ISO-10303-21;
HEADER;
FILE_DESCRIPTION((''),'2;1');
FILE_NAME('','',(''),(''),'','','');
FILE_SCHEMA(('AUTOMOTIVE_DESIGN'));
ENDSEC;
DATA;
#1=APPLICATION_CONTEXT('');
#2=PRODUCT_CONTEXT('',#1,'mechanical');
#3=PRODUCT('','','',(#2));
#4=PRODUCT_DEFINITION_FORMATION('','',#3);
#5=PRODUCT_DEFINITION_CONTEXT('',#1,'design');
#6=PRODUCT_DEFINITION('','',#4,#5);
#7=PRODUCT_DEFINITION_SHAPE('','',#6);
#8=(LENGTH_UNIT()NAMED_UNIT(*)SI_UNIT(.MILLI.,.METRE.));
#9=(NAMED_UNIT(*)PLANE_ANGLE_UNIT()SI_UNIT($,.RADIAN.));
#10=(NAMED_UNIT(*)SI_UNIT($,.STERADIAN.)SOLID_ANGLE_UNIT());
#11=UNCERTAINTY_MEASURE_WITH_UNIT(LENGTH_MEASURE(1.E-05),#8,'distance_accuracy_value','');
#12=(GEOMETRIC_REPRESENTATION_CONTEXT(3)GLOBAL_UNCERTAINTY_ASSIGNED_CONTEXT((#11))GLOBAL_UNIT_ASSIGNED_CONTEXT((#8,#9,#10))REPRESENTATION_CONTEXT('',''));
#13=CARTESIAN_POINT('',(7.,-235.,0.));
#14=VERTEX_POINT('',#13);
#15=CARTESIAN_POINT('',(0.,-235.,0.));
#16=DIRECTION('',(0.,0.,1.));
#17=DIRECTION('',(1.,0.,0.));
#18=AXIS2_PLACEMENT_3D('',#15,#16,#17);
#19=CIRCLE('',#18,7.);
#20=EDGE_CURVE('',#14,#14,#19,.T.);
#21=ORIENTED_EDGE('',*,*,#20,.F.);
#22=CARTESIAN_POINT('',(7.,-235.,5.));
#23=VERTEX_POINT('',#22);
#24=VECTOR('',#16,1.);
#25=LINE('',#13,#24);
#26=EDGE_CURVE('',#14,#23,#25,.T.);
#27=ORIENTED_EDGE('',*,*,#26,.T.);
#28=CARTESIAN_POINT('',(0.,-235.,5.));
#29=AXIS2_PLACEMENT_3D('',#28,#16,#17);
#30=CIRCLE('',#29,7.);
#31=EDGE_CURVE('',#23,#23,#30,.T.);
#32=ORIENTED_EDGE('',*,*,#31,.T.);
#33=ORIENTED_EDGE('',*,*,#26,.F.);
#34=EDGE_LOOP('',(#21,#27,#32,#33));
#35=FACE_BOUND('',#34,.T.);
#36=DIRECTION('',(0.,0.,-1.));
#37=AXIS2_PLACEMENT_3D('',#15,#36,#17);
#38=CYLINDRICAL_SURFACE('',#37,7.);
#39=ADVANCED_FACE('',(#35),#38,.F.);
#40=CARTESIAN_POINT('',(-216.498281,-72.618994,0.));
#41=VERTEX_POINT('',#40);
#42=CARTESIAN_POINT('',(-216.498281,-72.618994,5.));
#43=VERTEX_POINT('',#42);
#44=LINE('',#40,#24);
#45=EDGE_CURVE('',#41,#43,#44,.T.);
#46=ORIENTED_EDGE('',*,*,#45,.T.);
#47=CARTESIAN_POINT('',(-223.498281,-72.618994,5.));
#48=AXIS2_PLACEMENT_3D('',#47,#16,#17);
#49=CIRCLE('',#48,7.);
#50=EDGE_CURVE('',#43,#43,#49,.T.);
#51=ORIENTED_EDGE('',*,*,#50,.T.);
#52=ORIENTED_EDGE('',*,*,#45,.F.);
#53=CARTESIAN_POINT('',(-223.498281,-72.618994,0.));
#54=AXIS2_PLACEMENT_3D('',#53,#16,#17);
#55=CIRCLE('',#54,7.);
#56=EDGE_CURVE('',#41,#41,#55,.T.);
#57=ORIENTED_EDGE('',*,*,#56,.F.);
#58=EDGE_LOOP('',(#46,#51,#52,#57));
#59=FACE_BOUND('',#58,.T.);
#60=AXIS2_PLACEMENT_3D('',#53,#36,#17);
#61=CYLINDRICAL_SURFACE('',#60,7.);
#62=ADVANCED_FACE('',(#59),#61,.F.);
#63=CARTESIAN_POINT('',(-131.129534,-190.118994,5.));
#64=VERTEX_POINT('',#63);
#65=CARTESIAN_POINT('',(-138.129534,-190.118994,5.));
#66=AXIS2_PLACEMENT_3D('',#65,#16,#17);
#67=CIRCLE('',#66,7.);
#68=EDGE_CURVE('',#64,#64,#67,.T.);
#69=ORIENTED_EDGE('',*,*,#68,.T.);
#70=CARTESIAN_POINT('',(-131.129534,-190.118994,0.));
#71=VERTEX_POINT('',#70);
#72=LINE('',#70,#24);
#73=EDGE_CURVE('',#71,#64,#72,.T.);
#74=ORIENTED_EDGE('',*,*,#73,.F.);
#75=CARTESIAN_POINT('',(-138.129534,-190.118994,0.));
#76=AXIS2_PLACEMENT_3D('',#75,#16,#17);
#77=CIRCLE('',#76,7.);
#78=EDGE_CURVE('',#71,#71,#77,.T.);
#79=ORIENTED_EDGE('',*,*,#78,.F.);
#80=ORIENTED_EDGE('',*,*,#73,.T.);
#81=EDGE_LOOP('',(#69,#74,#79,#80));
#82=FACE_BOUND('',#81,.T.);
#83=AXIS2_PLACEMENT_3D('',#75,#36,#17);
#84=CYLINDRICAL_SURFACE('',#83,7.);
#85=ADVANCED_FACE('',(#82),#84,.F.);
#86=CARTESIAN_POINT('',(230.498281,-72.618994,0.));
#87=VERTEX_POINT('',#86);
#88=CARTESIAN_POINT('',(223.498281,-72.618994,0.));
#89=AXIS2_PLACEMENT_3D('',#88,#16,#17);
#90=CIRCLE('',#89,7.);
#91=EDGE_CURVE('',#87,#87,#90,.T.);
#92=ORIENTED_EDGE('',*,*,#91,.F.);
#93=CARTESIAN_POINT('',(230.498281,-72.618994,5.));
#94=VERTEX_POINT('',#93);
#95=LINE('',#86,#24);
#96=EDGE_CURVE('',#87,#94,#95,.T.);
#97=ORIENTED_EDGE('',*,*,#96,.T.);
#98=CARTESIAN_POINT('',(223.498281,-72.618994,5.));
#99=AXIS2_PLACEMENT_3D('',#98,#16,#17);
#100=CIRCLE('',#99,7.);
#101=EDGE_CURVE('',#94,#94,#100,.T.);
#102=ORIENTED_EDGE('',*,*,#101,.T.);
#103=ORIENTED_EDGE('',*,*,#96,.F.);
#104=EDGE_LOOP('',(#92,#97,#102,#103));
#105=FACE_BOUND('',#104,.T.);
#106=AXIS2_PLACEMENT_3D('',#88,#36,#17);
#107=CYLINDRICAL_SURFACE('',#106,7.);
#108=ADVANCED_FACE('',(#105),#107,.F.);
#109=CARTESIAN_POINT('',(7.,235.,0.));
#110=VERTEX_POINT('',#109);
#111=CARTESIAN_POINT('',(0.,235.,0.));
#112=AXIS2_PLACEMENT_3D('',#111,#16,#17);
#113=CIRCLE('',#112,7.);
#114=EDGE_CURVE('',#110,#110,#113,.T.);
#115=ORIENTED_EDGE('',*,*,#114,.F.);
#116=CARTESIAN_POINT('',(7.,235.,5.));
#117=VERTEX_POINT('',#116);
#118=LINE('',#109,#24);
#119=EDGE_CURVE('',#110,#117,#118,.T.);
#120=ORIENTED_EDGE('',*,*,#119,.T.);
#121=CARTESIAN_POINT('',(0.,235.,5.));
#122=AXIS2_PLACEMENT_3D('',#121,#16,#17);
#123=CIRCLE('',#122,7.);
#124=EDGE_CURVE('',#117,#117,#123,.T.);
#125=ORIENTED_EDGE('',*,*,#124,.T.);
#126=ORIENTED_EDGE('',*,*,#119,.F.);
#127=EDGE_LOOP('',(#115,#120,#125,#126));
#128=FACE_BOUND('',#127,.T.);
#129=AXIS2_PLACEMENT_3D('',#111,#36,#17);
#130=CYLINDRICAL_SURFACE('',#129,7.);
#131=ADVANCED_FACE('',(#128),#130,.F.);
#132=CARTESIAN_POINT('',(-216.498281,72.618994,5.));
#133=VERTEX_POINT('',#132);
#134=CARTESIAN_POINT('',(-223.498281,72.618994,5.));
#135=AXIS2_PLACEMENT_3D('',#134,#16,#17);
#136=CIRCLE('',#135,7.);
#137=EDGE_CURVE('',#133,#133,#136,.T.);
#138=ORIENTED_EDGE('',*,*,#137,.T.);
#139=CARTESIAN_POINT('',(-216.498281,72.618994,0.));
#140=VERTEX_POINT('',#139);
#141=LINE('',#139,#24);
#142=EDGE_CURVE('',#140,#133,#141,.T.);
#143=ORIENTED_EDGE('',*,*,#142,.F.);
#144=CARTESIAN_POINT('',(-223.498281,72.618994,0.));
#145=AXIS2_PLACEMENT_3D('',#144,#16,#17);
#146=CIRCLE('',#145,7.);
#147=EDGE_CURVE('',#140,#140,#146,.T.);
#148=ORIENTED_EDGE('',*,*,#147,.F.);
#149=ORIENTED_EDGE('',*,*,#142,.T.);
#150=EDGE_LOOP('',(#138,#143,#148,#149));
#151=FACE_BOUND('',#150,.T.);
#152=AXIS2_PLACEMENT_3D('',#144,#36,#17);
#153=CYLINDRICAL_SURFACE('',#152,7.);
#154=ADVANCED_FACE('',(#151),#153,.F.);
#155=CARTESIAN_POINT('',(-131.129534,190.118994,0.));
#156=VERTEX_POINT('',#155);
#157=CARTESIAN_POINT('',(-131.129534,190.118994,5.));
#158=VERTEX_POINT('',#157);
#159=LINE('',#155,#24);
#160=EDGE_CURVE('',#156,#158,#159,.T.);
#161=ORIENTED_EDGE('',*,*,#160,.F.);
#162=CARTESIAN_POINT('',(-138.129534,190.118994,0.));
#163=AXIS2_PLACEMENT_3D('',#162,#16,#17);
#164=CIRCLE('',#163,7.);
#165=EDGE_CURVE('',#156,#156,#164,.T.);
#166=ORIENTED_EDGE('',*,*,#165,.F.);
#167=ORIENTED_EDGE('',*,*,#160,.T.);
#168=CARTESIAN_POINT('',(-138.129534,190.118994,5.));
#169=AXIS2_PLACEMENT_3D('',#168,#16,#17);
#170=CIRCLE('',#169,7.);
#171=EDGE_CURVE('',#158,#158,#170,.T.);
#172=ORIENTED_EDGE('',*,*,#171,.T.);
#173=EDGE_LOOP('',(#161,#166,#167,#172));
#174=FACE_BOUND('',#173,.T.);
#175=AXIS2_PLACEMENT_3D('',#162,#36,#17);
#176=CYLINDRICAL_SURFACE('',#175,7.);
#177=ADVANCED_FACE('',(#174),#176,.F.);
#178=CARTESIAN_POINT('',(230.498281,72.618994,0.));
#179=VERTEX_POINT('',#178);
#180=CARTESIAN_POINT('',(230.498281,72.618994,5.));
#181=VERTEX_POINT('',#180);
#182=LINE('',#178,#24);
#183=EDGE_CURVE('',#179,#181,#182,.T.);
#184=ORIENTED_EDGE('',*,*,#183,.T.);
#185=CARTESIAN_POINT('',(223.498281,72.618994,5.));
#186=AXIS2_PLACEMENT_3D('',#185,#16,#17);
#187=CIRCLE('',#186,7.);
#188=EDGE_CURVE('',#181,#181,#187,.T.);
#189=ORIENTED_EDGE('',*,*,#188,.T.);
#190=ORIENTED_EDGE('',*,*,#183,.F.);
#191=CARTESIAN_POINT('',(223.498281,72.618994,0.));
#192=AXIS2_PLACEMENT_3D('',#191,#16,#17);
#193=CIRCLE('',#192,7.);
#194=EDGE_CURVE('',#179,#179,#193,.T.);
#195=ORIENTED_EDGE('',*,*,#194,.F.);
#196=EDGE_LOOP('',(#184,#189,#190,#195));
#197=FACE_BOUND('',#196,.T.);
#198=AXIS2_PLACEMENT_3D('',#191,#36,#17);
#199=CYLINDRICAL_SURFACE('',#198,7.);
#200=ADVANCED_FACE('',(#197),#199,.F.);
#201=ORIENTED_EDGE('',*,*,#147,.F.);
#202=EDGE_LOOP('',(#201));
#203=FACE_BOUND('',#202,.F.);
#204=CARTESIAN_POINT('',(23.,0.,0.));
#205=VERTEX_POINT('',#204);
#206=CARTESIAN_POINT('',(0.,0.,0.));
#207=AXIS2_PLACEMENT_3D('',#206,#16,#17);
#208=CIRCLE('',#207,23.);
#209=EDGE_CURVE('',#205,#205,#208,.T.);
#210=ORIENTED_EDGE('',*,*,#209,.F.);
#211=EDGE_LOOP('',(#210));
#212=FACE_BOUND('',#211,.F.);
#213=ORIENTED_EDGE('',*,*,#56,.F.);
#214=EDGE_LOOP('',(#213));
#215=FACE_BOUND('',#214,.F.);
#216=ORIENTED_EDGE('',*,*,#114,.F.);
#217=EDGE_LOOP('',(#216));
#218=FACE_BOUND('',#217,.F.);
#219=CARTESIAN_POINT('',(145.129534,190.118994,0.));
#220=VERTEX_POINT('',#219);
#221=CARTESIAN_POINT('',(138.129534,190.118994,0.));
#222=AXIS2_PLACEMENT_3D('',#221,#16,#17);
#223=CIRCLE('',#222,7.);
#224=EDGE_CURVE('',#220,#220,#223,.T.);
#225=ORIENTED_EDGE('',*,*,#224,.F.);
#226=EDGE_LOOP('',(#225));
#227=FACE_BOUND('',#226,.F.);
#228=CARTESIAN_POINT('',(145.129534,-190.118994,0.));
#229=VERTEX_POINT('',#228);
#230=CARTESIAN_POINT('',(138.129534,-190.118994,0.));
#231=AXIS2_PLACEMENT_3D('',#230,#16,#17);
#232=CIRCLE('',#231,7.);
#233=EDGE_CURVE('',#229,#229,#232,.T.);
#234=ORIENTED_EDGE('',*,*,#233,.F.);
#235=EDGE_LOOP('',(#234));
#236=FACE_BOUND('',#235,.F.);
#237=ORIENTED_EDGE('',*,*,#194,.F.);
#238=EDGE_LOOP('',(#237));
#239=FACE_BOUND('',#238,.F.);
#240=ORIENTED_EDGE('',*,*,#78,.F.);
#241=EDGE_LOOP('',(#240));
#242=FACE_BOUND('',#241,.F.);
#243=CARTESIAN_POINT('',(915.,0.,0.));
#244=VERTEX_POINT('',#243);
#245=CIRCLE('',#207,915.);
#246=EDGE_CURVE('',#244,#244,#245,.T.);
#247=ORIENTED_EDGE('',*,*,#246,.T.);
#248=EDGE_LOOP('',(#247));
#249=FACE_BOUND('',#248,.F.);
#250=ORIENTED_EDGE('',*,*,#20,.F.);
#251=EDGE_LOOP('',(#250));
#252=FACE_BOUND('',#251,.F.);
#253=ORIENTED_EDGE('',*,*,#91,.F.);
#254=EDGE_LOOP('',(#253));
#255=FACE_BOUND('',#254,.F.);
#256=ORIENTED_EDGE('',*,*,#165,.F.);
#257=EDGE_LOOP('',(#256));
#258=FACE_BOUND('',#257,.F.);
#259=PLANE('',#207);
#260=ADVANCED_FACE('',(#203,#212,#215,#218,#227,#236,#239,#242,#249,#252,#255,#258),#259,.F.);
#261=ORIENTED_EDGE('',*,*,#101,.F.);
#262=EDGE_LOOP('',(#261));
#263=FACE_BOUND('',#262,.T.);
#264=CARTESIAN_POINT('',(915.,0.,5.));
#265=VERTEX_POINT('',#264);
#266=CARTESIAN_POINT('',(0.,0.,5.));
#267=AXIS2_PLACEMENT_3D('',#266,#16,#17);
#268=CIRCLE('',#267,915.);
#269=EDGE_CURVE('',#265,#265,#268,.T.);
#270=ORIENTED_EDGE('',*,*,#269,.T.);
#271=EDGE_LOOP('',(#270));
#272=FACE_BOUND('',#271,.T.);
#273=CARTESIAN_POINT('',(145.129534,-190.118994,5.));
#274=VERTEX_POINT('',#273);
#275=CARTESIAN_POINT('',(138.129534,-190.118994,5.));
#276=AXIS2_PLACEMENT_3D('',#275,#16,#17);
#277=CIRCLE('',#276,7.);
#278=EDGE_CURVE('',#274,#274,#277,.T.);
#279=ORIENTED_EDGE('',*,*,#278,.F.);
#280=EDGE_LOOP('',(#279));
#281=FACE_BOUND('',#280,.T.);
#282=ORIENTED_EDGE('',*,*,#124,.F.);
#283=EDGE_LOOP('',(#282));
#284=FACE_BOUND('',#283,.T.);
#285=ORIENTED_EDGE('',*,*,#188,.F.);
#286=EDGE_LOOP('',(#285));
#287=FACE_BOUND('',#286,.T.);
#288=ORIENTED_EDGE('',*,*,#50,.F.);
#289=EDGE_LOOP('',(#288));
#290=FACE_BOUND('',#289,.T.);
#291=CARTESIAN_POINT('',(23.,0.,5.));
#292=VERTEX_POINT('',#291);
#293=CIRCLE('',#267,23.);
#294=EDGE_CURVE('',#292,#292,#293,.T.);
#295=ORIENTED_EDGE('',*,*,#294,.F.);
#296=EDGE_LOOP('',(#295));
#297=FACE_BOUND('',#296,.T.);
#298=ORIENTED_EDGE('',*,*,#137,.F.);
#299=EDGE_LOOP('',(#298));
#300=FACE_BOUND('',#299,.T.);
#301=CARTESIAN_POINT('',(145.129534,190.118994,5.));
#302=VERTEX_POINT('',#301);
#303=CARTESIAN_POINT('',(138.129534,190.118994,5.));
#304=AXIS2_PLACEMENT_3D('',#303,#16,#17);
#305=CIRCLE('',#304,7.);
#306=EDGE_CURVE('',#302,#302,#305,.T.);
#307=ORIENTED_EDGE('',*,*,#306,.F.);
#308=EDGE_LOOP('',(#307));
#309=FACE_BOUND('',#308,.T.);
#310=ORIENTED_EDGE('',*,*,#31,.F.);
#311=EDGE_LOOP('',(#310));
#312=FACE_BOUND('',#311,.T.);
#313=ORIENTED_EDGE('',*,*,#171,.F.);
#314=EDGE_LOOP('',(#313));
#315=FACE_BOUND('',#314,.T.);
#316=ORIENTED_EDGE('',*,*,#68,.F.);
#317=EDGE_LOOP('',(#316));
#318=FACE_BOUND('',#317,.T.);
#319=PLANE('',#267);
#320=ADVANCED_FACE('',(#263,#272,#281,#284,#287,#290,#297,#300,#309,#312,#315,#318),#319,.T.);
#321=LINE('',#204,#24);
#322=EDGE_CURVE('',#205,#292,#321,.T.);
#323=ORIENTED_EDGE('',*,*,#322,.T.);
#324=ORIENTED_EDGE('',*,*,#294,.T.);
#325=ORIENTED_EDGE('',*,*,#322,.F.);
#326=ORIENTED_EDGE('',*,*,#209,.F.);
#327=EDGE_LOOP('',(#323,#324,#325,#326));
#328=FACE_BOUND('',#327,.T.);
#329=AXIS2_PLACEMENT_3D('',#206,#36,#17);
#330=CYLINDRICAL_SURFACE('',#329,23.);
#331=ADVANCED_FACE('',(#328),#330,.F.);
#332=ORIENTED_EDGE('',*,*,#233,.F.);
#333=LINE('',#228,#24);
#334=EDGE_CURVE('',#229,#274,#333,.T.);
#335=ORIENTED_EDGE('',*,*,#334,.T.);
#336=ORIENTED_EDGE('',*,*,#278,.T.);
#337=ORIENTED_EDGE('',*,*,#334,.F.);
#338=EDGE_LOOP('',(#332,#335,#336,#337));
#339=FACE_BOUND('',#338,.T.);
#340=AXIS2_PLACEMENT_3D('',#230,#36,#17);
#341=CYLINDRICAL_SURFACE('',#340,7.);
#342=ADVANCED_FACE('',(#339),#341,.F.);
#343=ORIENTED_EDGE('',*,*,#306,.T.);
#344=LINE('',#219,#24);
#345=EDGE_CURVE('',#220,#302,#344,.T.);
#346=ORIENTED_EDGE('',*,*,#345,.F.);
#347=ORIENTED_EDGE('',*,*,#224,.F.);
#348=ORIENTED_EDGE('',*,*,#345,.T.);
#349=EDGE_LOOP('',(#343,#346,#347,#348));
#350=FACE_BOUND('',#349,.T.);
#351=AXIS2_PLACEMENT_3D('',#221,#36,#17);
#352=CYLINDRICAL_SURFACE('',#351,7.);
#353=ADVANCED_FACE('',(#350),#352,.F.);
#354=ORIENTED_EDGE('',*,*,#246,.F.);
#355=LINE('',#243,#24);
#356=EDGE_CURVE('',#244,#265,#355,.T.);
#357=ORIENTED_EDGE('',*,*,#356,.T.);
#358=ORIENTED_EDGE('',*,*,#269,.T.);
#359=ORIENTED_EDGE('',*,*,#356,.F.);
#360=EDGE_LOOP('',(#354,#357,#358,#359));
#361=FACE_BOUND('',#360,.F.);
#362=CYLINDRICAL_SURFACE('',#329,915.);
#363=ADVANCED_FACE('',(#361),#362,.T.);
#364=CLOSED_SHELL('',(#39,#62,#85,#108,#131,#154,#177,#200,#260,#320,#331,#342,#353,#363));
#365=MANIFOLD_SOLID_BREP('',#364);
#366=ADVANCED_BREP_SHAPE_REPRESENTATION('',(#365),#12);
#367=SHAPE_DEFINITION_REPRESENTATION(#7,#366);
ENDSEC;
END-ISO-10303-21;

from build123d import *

# Parameters (mm, degrees)
F0_R     = 915
F0_R_2   = 7
F0_R_3   = 23
F1_DEPTH = 5


with BuildPart() as f1:
    # F0 (on Top) → F1 (new body)
    with BuildSketch(Plane.XY):
        Circle(F0_R)
        with Locations((-138.129534, -190.118994)):
            Circle(F0_R_2, mode=Mode.SUBTRACT)
        with Locations((-223.498281, -72.618994)):
            Circle(F0_R_2, mode=Mode.SUBTRACT)
        with Locations((0, -235)):
            Circle(F0_R_2, mode=Mode.SUBTRACT)
        with Locations((138.129534, -190.118994)):
            Circle(F0_R_2, mode=Mode.SUBTRACT)
        with Locations((223.498281, -72.618994)):
            Circle(F0_R_2, mode=Mode.SUBTRACT)
        with Locations((-223.498281, 72.618994)):
            Circle(F0_R_2, mode=Mode.SUBTRACT)
        with Locations((-138.129534, 190.118994)):
            Circle(F0_R_2, mode=Mode.SUBTRACT)
        Circle(F0_R_3, mode=Mode.SUBTRACT)
        with Locations((223.498281, 72.618994)):
            Circle(F0_R_2, mode=Mode.SUBTRACT)
        with Locations((138.129534, 190.118994)):
            Circle(F0_R_2, mode=Mode.SUBTRACT)
        with Locations((0, 235)):
            Circle(F0_R_2, mode=Mode.SUBTRACT)
    extrude(amount=F1_DEPTH)


solid = f1.part
